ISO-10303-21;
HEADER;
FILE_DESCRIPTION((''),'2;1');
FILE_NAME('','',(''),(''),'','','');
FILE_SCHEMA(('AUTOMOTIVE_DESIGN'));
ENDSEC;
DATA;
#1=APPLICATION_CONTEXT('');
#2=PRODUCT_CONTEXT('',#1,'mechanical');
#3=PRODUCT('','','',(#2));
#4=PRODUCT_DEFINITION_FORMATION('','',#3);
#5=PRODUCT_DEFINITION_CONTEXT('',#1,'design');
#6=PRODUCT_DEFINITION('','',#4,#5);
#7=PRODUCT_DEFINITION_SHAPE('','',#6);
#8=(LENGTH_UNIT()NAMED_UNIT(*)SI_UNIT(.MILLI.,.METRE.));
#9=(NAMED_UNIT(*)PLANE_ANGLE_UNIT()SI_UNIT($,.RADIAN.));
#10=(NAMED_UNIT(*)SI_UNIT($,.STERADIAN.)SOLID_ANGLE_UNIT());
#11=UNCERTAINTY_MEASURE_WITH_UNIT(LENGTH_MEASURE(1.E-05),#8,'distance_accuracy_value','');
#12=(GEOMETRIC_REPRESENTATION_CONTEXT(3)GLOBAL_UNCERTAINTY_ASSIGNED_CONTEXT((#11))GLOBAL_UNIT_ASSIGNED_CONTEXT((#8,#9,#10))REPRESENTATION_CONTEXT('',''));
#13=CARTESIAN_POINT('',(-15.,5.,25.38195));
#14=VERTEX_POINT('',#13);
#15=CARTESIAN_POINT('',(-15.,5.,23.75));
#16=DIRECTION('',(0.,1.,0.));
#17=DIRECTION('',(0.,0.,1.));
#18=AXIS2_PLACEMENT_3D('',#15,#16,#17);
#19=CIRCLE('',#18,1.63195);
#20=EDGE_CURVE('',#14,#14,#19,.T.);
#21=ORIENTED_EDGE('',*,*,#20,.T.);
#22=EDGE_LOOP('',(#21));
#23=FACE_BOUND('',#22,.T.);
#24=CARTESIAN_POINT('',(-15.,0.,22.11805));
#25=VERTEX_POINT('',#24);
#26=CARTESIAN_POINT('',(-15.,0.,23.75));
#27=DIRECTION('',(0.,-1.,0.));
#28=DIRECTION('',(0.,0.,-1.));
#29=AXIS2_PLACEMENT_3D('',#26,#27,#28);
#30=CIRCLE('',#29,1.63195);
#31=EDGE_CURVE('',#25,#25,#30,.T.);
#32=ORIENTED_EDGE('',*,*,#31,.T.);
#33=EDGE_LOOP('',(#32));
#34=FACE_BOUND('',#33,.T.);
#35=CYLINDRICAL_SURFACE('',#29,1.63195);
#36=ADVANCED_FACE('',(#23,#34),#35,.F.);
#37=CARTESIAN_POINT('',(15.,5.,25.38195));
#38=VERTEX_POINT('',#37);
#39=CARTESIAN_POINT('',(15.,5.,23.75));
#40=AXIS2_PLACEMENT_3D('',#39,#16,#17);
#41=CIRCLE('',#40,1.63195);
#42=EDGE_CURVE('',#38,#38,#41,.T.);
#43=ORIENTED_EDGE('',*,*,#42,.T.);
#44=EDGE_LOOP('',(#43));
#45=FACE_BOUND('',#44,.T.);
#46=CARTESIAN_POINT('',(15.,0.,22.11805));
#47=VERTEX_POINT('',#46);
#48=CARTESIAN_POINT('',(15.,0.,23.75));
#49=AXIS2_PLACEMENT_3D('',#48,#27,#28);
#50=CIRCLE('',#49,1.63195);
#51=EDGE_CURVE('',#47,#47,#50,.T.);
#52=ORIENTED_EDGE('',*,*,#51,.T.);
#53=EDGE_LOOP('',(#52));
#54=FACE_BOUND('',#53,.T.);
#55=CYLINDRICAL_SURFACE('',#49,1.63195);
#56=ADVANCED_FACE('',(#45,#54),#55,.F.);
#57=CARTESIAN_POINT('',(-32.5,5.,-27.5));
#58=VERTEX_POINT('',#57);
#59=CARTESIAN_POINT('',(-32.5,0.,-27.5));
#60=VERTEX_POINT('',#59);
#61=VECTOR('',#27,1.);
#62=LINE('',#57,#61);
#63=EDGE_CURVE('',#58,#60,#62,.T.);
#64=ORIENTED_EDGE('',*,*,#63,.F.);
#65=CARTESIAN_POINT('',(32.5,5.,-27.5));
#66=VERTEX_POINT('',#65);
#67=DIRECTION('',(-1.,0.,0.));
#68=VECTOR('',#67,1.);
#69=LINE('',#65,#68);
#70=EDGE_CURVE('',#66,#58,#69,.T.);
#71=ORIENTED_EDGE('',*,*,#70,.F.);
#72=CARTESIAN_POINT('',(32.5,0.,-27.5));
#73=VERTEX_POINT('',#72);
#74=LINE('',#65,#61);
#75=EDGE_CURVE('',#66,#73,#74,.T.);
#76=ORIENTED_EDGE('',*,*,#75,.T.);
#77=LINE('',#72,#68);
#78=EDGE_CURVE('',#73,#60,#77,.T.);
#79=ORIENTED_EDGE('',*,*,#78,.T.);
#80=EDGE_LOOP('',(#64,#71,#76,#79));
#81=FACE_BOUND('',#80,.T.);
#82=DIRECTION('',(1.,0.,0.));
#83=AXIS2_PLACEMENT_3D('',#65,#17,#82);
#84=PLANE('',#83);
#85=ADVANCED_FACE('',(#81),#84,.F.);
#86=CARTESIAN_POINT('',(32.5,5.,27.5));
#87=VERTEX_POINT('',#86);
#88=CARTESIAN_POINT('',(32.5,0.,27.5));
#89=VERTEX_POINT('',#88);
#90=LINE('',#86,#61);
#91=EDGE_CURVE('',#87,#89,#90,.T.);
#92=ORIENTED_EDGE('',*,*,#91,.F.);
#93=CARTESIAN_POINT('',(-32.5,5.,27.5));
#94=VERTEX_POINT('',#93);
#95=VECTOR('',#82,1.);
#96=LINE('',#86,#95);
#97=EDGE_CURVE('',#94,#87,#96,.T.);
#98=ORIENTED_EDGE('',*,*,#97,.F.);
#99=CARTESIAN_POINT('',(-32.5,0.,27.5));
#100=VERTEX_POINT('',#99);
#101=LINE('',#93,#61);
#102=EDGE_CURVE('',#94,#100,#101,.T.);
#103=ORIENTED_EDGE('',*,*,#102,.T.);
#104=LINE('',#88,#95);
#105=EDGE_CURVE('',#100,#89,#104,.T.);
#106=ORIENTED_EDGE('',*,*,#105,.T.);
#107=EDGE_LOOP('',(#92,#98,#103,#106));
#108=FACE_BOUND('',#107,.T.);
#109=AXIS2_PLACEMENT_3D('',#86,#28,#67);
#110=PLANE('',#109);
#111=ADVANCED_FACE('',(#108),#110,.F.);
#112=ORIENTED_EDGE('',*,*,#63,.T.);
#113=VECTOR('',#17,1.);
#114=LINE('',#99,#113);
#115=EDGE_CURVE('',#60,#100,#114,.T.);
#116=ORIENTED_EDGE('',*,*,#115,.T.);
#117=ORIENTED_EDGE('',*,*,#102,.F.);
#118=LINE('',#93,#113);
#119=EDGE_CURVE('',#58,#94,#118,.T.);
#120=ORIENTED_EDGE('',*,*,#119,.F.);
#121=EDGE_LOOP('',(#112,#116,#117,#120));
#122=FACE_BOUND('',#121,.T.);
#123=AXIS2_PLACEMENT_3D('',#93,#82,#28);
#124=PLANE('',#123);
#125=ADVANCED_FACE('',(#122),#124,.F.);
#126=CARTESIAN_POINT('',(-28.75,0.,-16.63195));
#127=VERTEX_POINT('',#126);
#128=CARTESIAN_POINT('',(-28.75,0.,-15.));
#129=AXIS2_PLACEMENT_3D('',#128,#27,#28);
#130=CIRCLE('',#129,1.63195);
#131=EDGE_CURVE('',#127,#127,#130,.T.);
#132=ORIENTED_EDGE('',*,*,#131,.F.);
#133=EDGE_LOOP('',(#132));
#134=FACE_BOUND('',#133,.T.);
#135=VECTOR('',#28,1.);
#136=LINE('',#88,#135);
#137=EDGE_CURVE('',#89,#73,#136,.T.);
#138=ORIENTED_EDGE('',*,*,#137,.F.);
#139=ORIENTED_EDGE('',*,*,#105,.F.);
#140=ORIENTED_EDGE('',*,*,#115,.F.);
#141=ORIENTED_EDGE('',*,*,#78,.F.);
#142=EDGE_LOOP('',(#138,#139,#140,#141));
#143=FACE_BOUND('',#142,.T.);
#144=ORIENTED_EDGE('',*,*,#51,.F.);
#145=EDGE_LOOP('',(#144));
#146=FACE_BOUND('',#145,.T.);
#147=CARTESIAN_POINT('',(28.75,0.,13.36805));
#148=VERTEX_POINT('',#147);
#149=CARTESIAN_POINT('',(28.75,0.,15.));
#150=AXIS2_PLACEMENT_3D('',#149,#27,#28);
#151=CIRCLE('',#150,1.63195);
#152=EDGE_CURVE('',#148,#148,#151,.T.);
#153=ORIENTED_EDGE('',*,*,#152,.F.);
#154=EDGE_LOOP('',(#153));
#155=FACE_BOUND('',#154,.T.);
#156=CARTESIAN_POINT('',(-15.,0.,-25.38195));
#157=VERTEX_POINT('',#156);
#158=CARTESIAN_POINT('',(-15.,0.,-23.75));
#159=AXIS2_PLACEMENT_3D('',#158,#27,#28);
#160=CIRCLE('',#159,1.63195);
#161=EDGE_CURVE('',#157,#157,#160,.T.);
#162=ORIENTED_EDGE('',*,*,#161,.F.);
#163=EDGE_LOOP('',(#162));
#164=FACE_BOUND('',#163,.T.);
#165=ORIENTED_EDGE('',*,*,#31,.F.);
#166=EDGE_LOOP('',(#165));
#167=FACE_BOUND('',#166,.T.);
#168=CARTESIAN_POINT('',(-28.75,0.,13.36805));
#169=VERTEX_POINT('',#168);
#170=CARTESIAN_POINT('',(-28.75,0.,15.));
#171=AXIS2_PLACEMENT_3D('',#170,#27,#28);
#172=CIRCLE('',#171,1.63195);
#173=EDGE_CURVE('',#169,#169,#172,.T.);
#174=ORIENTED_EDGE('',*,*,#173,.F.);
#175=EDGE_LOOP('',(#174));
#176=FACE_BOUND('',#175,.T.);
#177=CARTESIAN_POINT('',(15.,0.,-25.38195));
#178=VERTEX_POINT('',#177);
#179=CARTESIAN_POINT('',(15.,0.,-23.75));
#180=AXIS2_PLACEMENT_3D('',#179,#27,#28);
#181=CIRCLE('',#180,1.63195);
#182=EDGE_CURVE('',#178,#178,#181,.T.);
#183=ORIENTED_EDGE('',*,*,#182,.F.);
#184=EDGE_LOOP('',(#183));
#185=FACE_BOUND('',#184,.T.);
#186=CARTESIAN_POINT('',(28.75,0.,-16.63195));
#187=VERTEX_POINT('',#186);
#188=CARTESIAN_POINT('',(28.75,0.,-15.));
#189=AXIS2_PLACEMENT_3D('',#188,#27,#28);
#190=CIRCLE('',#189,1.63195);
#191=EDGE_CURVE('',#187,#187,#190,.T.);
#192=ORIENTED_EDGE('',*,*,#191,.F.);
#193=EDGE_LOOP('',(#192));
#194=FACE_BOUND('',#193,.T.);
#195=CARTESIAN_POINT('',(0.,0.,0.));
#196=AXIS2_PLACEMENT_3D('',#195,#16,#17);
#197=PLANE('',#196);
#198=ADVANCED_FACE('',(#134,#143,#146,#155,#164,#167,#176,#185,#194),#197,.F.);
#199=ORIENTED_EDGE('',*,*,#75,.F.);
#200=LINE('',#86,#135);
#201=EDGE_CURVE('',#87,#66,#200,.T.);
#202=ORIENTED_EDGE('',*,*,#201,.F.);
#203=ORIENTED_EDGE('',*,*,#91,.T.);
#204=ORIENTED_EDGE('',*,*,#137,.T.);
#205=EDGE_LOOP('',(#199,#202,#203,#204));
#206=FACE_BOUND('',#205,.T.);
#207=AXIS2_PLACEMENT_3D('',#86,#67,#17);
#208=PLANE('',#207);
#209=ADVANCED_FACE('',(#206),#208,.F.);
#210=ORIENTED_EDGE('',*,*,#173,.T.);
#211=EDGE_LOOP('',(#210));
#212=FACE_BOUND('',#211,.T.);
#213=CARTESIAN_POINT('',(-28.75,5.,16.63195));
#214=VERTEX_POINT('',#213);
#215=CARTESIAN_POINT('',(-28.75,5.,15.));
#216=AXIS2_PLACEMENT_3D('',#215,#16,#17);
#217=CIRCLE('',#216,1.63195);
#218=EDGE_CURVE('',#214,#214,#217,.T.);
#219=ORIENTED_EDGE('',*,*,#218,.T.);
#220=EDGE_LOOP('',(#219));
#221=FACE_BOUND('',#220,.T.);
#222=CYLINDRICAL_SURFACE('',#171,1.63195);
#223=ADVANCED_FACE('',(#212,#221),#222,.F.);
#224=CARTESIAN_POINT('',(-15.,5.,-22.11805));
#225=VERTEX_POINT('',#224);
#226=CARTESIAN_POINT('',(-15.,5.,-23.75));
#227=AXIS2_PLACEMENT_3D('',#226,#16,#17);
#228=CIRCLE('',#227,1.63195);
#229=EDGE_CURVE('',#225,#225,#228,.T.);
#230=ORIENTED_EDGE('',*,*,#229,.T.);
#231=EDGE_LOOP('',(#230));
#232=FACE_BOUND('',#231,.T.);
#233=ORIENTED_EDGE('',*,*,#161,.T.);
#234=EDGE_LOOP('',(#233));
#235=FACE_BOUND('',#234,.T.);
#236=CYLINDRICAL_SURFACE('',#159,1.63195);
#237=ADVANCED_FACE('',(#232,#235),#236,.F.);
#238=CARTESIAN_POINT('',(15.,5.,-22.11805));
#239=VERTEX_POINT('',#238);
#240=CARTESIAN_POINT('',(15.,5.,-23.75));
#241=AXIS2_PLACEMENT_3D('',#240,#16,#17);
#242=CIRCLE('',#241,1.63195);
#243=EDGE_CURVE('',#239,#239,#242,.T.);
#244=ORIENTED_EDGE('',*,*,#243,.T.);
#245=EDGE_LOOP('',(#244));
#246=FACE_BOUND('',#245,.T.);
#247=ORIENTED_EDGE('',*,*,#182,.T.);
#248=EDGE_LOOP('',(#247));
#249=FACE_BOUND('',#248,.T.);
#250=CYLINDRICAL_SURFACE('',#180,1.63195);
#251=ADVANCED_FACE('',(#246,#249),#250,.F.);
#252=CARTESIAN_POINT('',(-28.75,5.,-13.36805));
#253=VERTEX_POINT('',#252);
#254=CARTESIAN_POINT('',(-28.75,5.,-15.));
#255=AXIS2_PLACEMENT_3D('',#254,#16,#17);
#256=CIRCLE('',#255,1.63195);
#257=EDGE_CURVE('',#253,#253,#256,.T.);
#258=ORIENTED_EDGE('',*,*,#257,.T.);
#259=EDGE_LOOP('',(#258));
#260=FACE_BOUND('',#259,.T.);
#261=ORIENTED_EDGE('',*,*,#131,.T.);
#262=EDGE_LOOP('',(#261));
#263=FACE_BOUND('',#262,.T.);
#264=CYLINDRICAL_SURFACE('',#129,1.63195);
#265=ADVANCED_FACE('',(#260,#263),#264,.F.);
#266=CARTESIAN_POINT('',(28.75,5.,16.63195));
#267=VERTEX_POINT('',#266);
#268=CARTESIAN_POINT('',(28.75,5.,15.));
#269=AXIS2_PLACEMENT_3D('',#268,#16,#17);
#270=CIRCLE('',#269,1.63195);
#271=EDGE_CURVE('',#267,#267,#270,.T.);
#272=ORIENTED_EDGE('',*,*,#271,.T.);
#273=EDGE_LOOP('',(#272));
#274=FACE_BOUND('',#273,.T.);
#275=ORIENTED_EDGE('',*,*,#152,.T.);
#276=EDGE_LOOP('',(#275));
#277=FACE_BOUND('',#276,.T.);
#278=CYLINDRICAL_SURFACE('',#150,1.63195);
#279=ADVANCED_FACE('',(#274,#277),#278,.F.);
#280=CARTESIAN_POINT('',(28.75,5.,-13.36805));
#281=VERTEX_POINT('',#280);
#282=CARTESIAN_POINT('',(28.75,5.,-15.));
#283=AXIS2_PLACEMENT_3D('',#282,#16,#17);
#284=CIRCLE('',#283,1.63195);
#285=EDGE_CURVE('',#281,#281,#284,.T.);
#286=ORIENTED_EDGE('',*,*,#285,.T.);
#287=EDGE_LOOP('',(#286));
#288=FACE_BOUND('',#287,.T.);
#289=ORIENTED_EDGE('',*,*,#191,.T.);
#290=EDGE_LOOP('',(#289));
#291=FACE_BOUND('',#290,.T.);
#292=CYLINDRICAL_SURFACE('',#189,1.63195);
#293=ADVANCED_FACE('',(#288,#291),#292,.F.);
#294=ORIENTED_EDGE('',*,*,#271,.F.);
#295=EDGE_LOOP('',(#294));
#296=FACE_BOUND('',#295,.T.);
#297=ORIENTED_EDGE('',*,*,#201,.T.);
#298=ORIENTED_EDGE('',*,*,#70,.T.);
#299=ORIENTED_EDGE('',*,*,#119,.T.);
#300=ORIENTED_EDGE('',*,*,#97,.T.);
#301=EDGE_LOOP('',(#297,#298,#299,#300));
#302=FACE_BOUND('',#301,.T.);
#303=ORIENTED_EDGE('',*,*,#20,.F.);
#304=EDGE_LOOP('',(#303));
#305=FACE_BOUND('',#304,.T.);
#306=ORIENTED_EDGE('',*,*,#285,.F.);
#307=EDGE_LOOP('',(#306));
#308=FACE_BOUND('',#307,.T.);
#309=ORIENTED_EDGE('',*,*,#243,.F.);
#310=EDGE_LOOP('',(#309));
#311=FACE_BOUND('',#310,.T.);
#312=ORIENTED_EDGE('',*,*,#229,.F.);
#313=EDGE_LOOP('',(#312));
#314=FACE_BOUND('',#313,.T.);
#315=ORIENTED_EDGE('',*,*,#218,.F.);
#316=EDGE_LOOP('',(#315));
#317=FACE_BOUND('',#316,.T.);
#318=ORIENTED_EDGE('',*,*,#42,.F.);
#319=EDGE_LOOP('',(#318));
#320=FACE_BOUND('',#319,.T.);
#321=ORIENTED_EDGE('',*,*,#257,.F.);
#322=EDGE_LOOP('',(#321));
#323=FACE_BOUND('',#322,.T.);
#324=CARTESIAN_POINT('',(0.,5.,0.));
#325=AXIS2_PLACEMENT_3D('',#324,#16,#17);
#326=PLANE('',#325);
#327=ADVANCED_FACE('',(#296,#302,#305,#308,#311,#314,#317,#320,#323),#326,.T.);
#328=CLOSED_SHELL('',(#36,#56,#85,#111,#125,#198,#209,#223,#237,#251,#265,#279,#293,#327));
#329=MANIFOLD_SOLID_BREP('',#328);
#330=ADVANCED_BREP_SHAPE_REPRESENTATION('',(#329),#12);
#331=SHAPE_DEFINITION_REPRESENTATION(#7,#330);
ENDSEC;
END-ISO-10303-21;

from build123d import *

# Parameters (mm, degrees)
SKETCH2_W             = 65
SKETCH2_H             = 55
BOSS_EXTRUDE1_DEPTH   = 5
F_4_CLEARANCE_HOLE1_D = 3.2639


with BuildPart() as part:
    # Sketch2 → Boss-Extrude1 (new body)
    with BuildSketch(Plane(origin=(0, 0, 0), x_dir=(1, 0, 0), z_dir=(0, 1, 0))):
        Rectangle(SKETCH2_W, SKETCH2_H)
    extrude(amount=BOSS_EXTRUDE1_DEPTH)

    # #4 Clearance Hole1 (through all)
    with Locations(Plane(origin=(0, 0, 0), x_dir=(-1, 0, 0), z_dir=(0, -1, 0))):
        with Locations((-28.75, 15), (-15, 23.75), (15, 23.75), (28.75, 15), (28.75, -15), (15, -23.75), (-15, -23.75), (-28.75, -15)):
            Hole(F_4_CLEARANCE_HOLE1_D / 2)


solid = part.part
